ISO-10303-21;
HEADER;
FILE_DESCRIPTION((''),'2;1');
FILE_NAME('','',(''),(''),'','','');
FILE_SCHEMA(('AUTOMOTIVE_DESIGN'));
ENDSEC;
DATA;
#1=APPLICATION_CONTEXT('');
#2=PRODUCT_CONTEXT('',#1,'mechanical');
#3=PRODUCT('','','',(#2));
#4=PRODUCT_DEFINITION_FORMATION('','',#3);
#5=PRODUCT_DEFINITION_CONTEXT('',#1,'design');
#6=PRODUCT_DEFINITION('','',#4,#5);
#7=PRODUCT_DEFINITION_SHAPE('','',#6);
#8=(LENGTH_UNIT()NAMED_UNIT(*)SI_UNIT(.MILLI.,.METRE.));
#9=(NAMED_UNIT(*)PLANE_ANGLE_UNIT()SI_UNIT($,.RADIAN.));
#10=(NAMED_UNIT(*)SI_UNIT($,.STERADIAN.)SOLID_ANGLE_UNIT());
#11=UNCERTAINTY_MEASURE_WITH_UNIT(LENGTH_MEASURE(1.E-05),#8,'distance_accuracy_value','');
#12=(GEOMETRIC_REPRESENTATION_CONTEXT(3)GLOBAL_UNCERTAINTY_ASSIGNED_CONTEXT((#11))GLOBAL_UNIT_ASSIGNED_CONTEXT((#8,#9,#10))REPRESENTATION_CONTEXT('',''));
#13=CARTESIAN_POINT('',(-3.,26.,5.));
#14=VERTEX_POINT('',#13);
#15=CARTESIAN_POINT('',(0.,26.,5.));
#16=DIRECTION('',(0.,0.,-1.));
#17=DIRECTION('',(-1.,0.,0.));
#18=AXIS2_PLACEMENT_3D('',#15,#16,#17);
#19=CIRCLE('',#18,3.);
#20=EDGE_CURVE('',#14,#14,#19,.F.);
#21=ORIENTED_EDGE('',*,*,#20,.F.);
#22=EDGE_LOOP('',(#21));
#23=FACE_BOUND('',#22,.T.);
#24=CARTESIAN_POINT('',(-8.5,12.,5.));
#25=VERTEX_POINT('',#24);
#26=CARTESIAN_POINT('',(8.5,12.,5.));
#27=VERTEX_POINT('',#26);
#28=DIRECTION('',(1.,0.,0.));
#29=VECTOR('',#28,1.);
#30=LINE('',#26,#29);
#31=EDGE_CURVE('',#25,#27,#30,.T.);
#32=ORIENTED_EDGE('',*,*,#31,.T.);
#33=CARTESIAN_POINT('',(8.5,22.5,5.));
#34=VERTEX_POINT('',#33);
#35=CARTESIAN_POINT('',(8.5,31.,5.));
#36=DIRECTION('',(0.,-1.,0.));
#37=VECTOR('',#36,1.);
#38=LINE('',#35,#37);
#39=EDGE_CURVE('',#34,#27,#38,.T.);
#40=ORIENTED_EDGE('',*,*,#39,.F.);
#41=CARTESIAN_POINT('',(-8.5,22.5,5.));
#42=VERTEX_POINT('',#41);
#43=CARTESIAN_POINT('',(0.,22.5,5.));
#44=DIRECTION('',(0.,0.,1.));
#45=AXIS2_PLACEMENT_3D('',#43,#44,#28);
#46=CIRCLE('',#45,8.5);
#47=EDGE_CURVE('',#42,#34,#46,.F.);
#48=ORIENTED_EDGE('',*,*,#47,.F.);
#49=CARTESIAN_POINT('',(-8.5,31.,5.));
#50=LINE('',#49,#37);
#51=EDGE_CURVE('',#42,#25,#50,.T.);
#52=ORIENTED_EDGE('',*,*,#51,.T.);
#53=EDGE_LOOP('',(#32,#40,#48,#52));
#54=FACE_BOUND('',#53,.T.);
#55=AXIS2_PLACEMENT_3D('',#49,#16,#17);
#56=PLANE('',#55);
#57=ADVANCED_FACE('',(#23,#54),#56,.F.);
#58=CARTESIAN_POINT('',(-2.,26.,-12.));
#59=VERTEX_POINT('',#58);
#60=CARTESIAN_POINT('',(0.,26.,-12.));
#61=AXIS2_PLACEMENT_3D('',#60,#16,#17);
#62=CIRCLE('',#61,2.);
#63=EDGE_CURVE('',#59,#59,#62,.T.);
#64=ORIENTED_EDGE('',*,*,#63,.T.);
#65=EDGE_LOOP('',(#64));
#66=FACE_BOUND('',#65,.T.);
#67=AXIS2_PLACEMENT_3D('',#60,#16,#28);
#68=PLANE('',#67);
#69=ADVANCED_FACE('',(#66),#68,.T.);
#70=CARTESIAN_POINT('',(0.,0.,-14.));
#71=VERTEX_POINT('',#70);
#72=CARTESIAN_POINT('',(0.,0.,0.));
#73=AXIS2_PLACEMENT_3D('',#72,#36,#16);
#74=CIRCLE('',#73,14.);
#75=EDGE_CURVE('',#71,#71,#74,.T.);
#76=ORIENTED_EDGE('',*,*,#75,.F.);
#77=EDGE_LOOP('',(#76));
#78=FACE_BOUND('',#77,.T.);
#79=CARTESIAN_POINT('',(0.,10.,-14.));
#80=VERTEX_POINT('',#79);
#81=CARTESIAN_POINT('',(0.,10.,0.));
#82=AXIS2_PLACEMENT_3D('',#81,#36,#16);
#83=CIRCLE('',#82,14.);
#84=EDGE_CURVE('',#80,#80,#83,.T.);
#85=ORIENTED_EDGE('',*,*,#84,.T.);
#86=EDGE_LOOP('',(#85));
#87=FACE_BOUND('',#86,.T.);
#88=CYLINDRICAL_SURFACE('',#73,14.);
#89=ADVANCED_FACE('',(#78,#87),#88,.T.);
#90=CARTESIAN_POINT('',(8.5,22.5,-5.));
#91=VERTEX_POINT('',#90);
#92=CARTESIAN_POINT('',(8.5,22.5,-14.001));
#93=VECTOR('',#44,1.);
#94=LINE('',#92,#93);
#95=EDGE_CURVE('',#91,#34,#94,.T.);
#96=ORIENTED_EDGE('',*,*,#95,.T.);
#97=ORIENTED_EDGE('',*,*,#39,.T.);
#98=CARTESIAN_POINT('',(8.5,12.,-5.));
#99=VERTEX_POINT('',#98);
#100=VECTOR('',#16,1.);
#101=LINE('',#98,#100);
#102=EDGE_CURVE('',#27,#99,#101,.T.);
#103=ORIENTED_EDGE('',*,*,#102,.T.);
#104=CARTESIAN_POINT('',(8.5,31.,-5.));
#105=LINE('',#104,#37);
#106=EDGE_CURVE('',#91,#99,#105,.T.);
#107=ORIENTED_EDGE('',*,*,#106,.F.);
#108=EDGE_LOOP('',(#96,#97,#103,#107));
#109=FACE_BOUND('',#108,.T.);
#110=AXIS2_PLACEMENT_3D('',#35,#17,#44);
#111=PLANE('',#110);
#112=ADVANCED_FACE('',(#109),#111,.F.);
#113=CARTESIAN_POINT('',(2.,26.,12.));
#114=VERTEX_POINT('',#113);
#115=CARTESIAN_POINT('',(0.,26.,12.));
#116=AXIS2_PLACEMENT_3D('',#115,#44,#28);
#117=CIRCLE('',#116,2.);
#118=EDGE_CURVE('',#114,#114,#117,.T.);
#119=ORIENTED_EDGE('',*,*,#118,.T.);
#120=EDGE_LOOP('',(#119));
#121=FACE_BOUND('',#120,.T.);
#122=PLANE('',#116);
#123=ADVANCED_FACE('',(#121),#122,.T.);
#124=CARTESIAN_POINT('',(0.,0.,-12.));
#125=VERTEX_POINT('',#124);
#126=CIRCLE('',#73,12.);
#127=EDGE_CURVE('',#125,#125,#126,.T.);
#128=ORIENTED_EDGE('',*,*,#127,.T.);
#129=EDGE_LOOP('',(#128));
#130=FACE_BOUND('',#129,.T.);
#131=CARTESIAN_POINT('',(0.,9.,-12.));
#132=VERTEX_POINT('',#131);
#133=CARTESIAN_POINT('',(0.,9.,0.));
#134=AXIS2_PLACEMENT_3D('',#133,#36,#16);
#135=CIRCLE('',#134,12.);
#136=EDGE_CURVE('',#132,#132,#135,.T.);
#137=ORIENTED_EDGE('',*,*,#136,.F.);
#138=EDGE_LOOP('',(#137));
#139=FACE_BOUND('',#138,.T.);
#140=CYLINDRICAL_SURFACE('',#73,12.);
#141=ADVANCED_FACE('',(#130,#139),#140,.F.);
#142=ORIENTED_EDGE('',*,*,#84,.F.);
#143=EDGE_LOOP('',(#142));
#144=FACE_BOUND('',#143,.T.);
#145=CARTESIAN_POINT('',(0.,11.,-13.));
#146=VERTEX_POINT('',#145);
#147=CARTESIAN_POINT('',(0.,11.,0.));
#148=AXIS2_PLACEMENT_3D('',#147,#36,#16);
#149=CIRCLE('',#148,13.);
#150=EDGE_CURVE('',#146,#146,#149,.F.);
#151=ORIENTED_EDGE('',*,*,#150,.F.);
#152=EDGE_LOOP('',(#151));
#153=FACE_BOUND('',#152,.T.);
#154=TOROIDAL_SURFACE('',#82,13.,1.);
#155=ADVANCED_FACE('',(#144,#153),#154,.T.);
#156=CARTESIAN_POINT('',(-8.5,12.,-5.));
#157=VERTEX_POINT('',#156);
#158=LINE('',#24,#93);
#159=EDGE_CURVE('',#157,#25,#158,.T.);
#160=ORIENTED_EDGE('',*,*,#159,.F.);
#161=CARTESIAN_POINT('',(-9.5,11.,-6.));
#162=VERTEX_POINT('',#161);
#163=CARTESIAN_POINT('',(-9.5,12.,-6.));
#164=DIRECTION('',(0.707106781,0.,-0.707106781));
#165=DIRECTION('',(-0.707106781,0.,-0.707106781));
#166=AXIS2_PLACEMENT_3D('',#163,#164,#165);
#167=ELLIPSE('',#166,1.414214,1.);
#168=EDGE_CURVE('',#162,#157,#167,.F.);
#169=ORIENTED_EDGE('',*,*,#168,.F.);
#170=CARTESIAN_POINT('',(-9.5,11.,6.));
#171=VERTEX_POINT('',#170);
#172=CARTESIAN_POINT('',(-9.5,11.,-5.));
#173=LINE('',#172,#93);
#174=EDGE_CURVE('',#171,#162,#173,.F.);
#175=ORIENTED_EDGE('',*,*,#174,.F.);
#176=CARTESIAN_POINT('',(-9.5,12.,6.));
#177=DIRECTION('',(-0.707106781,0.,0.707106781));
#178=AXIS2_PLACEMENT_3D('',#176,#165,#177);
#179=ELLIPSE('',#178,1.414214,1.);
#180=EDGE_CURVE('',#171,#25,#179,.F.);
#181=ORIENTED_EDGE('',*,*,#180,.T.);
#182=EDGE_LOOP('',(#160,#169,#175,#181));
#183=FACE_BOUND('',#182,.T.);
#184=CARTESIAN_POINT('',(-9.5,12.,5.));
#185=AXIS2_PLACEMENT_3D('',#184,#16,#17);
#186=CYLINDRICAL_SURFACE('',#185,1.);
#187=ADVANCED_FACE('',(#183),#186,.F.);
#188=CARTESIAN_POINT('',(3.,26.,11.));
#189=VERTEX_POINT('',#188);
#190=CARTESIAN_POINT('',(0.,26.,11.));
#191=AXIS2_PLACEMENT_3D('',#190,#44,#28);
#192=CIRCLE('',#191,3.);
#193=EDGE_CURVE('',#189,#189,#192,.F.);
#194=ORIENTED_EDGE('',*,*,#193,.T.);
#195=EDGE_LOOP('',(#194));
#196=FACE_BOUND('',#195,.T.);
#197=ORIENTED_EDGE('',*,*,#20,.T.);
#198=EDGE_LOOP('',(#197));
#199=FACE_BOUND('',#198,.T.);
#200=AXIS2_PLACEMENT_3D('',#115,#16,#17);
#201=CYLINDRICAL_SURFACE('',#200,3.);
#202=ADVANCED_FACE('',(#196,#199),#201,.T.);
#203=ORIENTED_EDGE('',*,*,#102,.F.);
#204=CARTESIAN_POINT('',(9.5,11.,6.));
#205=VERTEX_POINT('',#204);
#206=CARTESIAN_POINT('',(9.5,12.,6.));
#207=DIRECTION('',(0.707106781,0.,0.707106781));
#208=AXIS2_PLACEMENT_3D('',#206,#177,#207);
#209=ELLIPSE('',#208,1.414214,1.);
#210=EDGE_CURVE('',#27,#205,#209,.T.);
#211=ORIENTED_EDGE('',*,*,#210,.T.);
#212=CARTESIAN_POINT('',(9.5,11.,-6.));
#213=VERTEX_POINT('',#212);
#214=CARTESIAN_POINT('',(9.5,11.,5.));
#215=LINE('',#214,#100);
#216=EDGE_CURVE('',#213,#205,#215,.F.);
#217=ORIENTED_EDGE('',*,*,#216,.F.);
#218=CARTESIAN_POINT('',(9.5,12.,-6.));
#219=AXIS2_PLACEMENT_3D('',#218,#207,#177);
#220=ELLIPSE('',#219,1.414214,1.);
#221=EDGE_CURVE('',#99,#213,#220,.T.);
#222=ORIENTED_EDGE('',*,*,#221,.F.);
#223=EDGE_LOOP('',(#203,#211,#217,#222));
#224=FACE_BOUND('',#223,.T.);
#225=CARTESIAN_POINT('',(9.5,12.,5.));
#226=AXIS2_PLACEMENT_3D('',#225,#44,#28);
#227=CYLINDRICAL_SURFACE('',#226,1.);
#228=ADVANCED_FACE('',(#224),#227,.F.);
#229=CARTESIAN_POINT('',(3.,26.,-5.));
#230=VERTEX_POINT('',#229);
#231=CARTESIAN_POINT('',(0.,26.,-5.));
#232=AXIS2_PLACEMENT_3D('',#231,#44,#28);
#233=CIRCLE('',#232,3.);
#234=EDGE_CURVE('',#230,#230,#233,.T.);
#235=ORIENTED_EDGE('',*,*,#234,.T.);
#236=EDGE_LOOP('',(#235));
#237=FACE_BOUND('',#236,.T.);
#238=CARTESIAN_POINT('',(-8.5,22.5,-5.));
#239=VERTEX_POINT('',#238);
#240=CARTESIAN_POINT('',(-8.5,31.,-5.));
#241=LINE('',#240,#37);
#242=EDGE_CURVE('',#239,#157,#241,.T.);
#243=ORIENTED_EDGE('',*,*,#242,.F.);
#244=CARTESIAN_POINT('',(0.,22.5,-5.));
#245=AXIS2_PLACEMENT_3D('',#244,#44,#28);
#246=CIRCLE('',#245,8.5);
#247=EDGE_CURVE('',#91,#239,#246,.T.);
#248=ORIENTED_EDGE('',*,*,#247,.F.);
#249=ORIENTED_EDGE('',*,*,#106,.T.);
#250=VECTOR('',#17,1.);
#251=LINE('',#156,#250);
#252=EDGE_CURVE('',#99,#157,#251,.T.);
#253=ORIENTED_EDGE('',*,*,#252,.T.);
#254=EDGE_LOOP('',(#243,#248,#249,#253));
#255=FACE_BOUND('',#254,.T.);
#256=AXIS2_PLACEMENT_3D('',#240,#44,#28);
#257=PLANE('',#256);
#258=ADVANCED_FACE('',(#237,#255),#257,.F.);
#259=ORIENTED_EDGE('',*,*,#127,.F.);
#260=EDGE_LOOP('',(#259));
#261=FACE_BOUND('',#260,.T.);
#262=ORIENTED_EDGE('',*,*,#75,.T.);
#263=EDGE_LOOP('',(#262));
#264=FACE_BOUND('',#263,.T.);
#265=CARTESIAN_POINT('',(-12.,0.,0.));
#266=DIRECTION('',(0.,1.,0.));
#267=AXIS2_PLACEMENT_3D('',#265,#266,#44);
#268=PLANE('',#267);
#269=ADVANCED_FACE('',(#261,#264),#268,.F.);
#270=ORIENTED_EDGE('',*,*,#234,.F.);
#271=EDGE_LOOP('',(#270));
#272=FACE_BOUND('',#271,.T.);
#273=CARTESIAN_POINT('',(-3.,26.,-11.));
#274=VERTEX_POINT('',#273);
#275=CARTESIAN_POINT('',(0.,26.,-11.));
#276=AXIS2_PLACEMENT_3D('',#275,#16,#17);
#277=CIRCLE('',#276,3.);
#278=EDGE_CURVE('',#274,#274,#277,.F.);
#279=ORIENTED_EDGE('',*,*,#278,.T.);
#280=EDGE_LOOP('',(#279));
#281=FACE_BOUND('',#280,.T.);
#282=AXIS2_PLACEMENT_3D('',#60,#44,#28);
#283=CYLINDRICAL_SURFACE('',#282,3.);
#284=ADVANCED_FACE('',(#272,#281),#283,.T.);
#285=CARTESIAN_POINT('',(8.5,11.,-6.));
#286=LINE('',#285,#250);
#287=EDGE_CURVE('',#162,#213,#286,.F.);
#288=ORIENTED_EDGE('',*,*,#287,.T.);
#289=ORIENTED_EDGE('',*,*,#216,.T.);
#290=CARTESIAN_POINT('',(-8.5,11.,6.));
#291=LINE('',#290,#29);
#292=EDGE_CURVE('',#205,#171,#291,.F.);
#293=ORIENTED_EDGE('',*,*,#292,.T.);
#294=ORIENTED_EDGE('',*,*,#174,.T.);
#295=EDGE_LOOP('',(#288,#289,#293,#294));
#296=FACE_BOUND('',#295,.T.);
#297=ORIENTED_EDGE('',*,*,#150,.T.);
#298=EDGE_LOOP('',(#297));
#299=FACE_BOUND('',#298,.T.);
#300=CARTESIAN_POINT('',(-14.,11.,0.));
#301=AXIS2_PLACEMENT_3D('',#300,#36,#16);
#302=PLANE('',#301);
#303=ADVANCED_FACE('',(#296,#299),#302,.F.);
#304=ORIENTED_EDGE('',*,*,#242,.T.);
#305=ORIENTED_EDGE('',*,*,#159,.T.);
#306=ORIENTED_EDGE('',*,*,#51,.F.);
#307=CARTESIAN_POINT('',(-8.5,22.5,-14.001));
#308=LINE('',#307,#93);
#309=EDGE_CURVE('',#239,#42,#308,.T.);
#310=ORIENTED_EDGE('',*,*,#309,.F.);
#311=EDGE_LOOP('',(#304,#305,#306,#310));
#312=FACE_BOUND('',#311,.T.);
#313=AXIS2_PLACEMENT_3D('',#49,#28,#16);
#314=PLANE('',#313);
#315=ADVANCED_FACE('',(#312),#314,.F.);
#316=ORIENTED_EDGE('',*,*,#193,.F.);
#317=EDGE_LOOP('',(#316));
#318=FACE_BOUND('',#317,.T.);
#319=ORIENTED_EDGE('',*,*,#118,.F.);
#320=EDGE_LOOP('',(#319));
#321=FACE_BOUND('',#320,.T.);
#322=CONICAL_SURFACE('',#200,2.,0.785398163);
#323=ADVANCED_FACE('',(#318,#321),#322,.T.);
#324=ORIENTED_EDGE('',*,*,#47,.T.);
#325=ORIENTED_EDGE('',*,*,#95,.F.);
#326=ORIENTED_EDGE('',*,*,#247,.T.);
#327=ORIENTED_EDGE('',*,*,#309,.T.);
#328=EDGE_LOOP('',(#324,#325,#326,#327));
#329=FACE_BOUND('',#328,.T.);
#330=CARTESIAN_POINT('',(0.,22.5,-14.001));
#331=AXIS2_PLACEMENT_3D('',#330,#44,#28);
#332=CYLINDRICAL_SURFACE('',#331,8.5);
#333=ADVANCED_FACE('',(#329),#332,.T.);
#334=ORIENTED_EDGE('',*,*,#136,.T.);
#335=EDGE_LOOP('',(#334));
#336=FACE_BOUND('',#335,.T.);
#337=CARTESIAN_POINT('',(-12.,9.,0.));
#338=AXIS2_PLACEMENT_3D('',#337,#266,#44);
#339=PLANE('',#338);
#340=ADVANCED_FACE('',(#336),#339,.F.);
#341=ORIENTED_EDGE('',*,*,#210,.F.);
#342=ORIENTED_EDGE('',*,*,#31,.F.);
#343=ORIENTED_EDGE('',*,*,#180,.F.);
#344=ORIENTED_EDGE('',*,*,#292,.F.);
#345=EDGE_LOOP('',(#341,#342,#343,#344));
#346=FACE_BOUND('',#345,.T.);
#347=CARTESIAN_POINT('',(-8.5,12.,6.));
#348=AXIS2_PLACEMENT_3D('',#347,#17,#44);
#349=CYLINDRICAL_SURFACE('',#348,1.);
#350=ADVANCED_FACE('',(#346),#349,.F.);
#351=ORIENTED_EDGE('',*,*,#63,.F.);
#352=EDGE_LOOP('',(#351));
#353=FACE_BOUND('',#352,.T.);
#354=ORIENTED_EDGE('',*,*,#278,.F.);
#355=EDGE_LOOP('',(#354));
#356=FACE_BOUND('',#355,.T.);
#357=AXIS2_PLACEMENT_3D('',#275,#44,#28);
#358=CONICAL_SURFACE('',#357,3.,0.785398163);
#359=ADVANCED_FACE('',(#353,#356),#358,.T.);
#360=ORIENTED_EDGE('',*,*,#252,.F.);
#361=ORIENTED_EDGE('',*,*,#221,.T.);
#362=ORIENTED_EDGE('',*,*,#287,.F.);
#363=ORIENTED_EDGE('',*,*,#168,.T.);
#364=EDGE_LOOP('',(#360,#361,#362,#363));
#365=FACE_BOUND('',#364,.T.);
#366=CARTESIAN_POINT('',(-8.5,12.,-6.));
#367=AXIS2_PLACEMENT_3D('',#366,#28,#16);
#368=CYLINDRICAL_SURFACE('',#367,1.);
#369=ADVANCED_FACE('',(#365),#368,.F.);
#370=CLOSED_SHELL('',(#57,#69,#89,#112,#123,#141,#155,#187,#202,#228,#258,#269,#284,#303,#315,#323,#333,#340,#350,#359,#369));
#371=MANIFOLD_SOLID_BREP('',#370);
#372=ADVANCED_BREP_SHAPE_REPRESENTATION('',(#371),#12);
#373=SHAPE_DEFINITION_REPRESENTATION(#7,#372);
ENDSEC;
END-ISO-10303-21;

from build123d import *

# Parameters (mm, degrees)
CONG_1_R                = 1
ESQUISSE2_W             = 17
ESQUISSE2_H             = 10
BOSS_EXTRU_1_DEPTH      = 20
CONG_2_R                = 1
ENL_V_MAT_EXTRU_1_REACH = 40.962
ESQUISSE5_R             = 3
BOSS_EXTRU_2_DEPTH      = 7
CHANFREIN1_SIZE         = 1
CHANFREIN2_SIZE         = 1


with BuildPart() as part:
    # Esquisse1 → Révolution1 (revolve)
    with BuildSketch(Plane.XY, mode=Mode.PRIVATE) as r_volution1_sk:
        Polygon((-12, 0), (-12, 9), (0, 9), (0, 11), (-14, 11), (-14, 0), align=None)
    revolve(r_volution1_sk.sketch.rotate(Axis((0, 0, 0), (0, 1, 0)), 270), axis=Axis((0, 0, 0), (0, 1, 0)))

    # Congé1
    cong_1_edges = [part.edges().sort_by_distance(p)[0] for p in [
        (0, 11, 14),
    ]]
    fillet(cong_1_edges, radius=CONG_1_R)

    # Esquisse2 → Boss.-Extru.1 (add)
    with BuildSketch(Plane(origin=(0, 11, 0), x_dir=(1, 0, 0), z_dir=(0, 1, 0))):
        Rectangle(ESQUISSE2_W, ESQUISSE2_H)
    extrude(amount=BOSS_EXTRU_1_DEPTH)

    # Congé2
    cong_2_edges = [part.edges().sort_by_distance(p)[0] for p in [
        (8.5, 11, 0),
        (0, 11, -5),
        (-8.5, 11, 0),
        (0, 11, 5),
    ]]
    fillet(cong_2_edges, radius=CONG_2_R)

    # Esquisse3 → Enlèv. mat.-Extru.1 (cut, up to next)
    with BuildSketch(Plane.XY.offset(5), mode=Mode.PRIVATE) as enl_v_mat_extru_1_sk1:
        with BuildLine():
            ThreePointArc((-8.5, 22.5), (-6.010407626, 28.510407654), (4e-08, 31))
            Line((4e-08, 31), (-8.5, 31))
            Line((-8.5, 31), (-8.5, 22.5))
        make_face()
    enl_v_mat_extru_1_tool1 = extrude(enl_v_mat_extru_1_sk1.sketch, amount=-ENL_V_MAT_EXTRU_1_REACH, mode=Mode.PRIVATE) & part.part
    # Esquisse3 → Enlèv. mat.-Extru.1 (cut, up to next)
    with BuildSketch(Plane.XY.offset(5), mode=Mode.PRIVATE) as enl_v_mat_extru_1_sk2:
        with BuildLine():
            ThreePointArc((4e-08, 31), (6.010407654, 28.510407626), (8.5, 22.5))
            Line((8.5, 22.5), (8.5, 31))
            Line((8.5, 31), (4e-08, 31))
        make_face()
    enl_v_mat_extru_1_tool2 = extrude(enl_v_mat_extru_1_sk2.sketch, amount=-ENL_V_MAT_EXTRU_1_REACH, mode=Mode.PRIVATE) & part.part
    add(enl_v_mat_extru_1_tool1.solids().sort_by_distance((-6.601373, 29.101373, 5))[0], mode=Mode.SUBTRACT)
    add(enl_v_mat_extru_1_tool2.solids().sort_by_distance((6.601373, 29.101373, 5))[0], mode=Mode.SUBTRACT)

    # Esquisse5 → Boss.-Extru.2 (add)
    with BuildSketch(Plane.XY.offset(5)):
        with Locations(Location((0, 26, 0), (0, 0, 180))):
            Circle(ESQUISSE5_R)
    boss_extru_2 = extrude(amount=BOSS_EXTRU_2_DEPTH)

    # Chanfrein1
    chanfrein1_edges = [part.edges().sort_by_distance(p)[0] for p in [
        (3, 26, 12),
    ]]
    chamfer(chanfrein1_edges, length=CHANFREIN1_SIZE)

    # Symétrie4: Boss.-Extru.2 across plane
    add(boss_extru_2.mirror(Plane.XY))

    # Chanfrein2
    chanfrein2_edges = [part.edges().sort_by_distance(p)[0] for p in [
        (3, 26, -12),
    ]]
    chamfer(chanfrein2_edges, length=CHANFREIN2_SIZE)


solid = part.part
